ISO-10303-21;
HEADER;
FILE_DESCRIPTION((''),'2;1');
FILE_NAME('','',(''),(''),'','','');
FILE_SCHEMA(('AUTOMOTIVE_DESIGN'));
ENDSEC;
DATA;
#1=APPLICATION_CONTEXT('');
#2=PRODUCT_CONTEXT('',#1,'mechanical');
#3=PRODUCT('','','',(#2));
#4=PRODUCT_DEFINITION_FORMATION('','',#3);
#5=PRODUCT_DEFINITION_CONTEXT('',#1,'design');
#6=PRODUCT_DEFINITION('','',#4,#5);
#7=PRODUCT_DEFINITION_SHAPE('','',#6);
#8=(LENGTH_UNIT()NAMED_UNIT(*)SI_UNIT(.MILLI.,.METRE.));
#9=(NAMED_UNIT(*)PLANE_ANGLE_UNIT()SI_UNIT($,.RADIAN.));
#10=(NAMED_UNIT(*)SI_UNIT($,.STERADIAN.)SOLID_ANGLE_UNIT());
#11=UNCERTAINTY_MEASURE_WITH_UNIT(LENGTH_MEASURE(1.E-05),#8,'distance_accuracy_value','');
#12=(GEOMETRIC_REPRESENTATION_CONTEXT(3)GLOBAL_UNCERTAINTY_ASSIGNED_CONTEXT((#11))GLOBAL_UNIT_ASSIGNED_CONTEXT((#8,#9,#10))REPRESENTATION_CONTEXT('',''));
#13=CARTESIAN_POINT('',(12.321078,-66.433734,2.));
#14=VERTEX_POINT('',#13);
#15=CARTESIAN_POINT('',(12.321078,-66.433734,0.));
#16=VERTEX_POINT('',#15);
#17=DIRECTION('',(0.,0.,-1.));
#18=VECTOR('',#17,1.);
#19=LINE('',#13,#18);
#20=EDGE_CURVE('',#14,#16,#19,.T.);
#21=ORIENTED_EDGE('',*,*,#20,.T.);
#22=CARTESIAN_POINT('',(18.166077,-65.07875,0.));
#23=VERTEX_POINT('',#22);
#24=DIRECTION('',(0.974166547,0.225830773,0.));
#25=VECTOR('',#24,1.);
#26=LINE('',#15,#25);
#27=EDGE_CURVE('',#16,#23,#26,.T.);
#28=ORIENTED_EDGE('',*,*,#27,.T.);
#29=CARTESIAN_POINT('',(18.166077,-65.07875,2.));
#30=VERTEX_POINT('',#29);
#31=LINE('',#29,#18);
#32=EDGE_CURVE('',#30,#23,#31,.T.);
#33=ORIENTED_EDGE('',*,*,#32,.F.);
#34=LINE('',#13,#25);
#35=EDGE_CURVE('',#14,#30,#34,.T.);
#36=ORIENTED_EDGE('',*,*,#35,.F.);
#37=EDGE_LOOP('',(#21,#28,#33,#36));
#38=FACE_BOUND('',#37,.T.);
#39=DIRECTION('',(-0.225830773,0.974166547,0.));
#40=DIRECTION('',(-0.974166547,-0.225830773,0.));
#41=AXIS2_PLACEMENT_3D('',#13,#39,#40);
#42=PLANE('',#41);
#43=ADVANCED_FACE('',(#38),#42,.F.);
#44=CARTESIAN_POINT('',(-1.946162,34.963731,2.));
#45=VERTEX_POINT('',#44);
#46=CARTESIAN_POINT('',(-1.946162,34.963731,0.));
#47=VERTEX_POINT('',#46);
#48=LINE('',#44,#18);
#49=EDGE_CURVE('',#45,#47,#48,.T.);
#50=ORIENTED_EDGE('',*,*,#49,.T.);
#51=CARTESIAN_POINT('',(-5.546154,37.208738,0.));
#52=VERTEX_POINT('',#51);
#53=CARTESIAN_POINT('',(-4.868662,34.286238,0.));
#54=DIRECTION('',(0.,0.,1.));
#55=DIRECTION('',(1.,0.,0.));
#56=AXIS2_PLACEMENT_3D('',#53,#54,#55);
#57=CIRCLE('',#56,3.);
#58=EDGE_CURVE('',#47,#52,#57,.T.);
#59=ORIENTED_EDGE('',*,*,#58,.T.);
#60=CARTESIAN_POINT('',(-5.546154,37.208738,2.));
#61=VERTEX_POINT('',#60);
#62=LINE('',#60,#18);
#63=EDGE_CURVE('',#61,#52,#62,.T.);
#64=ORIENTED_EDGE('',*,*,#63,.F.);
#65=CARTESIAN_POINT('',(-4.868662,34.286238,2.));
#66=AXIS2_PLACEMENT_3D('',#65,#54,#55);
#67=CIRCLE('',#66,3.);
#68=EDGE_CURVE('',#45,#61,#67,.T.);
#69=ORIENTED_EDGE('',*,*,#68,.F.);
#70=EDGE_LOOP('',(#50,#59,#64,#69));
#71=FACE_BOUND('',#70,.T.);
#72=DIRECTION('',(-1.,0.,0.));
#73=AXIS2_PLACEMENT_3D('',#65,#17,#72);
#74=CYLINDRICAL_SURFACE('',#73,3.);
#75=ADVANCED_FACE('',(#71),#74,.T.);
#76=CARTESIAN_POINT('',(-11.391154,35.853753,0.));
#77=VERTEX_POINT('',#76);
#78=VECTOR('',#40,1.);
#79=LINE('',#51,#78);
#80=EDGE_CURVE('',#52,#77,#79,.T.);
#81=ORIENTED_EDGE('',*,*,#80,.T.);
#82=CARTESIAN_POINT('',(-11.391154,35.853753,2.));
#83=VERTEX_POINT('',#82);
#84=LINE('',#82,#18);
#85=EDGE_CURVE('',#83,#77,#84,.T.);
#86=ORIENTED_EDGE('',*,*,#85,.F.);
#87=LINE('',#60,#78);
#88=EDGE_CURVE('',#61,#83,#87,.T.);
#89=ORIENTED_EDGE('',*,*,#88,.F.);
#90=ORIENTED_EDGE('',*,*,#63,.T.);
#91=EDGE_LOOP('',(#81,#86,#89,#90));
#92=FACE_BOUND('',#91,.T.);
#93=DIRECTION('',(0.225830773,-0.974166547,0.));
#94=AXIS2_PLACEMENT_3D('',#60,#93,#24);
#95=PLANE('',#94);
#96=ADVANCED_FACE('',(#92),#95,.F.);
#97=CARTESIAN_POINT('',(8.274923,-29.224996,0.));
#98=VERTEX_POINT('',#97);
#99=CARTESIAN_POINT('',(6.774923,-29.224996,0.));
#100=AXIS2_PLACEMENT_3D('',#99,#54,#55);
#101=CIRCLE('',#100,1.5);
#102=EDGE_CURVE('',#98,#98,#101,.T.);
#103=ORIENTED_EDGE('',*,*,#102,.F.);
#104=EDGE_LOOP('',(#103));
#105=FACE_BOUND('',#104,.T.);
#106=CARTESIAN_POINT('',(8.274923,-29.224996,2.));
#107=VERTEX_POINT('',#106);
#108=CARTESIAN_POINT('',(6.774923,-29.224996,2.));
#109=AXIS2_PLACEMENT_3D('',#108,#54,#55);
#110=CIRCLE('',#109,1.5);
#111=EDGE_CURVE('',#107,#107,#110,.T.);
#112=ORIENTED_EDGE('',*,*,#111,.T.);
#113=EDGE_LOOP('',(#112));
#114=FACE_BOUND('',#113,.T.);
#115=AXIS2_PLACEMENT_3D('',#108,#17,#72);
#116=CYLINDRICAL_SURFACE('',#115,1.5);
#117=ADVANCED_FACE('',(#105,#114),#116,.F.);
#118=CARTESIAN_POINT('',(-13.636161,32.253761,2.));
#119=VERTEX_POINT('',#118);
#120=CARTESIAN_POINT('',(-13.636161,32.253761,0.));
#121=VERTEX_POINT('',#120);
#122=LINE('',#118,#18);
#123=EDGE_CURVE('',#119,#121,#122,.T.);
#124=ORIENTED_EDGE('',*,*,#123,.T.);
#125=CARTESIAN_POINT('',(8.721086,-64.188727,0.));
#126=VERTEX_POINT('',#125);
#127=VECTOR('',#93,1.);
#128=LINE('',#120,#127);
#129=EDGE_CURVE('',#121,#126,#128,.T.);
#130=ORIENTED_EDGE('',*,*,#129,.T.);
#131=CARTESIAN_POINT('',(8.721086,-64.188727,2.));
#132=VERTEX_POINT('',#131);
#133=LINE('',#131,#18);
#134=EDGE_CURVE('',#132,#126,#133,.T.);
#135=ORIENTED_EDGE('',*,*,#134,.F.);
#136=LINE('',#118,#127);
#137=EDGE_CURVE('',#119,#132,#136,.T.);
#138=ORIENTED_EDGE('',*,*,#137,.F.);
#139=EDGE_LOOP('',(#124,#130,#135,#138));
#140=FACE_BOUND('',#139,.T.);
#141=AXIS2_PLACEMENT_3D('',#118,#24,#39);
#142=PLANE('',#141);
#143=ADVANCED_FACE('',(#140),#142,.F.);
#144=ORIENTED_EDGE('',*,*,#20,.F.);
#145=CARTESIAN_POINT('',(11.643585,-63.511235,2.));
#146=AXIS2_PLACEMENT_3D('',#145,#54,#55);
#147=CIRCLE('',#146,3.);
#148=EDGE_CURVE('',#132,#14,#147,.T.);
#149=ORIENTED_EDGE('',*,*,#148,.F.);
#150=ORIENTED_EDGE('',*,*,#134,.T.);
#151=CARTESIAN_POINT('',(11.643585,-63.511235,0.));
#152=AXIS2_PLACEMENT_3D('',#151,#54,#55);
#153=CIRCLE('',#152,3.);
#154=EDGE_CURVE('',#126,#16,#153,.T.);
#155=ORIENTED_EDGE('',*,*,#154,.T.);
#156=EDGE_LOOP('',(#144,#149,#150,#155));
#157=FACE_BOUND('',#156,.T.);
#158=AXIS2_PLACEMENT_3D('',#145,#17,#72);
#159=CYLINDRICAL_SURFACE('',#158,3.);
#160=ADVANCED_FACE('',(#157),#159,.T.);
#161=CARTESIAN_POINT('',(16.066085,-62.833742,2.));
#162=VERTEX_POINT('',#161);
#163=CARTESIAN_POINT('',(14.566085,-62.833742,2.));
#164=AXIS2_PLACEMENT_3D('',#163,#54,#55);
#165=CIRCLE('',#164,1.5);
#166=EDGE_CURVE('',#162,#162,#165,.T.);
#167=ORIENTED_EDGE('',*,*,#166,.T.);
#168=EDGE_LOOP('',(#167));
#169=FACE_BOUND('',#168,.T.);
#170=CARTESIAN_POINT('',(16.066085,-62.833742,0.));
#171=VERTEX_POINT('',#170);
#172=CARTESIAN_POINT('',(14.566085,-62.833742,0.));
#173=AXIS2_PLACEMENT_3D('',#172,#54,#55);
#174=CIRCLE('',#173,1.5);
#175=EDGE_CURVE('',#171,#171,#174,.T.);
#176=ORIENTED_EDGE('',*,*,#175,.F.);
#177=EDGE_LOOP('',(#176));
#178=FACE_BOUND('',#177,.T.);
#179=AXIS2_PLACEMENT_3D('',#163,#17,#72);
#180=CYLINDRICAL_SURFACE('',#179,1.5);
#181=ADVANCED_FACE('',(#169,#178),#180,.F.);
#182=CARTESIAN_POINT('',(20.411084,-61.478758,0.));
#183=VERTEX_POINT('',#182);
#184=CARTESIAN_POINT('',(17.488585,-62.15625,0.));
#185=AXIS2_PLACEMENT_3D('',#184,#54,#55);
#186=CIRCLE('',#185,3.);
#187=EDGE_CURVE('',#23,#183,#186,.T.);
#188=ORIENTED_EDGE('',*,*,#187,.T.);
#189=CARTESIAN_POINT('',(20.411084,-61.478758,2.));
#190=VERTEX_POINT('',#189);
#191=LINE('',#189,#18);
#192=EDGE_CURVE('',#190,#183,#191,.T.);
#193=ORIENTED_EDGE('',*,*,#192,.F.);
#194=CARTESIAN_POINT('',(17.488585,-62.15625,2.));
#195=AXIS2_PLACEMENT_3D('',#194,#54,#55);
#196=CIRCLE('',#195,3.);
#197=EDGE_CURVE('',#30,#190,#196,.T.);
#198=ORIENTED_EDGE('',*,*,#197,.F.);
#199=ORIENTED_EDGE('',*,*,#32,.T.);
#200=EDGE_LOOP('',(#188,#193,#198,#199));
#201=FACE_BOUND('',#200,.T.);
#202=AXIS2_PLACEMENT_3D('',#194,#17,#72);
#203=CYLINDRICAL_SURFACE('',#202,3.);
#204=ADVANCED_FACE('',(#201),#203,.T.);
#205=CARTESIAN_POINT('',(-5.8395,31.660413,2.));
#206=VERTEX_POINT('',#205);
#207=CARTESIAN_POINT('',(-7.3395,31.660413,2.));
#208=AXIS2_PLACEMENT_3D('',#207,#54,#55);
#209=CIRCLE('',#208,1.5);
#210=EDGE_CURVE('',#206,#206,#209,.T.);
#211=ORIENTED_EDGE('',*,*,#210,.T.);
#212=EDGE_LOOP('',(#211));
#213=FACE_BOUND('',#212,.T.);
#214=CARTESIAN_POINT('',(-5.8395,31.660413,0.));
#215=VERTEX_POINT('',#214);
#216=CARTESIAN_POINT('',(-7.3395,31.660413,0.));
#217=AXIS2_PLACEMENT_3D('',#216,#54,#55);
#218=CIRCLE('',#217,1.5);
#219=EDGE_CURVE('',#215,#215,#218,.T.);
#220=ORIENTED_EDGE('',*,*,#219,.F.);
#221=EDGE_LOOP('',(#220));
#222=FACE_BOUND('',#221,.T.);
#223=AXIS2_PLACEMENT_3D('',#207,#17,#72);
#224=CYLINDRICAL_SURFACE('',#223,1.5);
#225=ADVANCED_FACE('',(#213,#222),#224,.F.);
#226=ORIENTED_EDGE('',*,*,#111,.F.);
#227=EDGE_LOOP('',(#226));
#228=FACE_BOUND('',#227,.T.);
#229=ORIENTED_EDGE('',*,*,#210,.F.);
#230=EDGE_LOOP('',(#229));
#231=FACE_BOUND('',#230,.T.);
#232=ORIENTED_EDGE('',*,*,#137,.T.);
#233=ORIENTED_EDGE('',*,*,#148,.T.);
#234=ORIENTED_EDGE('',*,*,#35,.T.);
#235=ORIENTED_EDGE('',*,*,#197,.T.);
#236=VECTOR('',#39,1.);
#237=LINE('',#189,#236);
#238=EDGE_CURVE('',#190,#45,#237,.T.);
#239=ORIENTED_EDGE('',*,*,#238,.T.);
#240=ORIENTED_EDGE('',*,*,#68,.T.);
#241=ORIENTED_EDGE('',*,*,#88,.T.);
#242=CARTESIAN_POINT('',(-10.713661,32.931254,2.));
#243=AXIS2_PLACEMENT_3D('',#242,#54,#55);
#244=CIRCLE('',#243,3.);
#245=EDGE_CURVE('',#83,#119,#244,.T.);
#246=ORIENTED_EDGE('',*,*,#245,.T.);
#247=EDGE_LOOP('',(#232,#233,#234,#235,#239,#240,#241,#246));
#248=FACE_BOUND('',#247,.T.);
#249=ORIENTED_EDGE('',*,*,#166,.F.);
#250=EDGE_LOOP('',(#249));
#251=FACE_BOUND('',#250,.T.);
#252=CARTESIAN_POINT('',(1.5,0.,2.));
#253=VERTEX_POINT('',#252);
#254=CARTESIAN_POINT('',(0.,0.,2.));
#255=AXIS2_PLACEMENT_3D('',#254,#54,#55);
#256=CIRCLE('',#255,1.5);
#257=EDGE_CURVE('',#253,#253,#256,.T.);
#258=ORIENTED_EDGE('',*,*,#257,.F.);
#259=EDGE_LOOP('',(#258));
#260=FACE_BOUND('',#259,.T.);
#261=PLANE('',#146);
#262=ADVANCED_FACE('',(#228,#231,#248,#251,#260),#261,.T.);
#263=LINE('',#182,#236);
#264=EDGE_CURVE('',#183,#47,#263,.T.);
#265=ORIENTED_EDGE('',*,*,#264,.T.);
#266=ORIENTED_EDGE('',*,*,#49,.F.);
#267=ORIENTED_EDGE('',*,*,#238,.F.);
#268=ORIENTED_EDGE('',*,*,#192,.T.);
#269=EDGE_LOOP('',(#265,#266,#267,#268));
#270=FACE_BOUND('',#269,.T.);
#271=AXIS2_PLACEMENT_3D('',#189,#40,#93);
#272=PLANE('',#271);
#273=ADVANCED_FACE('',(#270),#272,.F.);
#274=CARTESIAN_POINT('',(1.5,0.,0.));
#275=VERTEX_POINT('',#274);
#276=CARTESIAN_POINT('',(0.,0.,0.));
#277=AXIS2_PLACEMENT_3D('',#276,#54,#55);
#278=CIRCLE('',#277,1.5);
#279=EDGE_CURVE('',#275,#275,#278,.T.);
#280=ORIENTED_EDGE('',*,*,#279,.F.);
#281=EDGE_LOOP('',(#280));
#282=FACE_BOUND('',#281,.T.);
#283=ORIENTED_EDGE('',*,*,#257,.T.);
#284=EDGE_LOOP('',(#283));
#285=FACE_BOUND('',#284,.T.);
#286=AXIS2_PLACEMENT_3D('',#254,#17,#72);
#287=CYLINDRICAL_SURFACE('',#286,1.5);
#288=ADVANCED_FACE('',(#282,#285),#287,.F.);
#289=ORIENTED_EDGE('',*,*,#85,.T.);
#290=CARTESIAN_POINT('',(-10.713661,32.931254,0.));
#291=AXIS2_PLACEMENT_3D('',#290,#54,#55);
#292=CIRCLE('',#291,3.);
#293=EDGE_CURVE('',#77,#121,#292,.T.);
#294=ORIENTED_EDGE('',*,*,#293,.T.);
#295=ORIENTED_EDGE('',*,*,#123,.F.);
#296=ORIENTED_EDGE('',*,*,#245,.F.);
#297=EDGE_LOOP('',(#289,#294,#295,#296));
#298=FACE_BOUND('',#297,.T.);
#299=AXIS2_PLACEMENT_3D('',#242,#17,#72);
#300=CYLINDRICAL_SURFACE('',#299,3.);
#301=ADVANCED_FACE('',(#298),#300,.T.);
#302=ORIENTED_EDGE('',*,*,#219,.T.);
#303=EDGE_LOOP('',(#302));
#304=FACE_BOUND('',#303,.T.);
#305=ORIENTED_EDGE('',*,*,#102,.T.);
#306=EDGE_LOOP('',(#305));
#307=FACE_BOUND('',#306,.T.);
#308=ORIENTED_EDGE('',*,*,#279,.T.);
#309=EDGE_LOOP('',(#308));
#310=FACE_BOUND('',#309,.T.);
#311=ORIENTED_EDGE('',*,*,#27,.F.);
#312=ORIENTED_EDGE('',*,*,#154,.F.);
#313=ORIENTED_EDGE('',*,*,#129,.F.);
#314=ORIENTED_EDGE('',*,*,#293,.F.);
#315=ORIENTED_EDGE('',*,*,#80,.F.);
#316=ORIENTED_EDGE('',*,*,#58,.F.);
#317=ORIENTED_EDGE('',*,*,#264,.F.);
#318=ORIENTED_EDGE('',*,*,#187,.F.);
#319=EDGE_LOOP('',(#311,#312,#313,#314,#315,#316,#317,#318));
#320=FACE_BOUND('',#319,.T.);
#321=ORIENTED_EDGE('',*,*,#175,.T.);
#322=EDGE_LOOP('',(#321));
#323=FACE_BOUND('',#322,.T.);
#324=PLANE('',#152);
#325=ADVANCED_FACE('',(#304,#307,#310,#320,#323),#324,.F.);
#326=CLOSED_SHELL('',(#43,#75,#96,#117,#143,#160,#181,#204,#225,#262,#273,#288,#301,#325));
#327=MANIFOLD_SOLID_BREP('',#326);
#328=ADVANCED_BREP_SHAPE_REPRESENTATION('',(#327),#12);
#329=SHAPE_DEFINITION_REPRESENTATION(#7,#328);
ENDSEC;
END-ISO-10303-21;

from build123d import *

# Parameters (mm, degrees)
SKETCH_1_R      = 1.5
EXTRUDE_1_DEPTH = 2


with BuildPart() as part:
    # 草图1 → 凸台-拉伸1 (new body)
    with BuildSketch(Plane.XY):
        with BuildLine():
            Line((-13.636160957, 32.253761243), (8.721085584, -64.18872694))
            ThreePointArc((8.721085584, -64.18872694), (10.056125324, -66.056813349), (12.321077545, -66.433734263))
            Line((12.321077545, -66.433734263), (18.166076829, -65.078749624))
            ThreePointArc((18.166076829, -65.078749624), (20.034163238, -63.743709884), (20.411084152, -61.478757663))
            Line((20.411084152, -61.478757663), (-1.94616239, 34.963730521))
            ThreePointArc((-1.94616239, 34.963730521), (-3.28120213, 36.83181693), (-5.546154351, 37.208737844))
            Line((-5.546154351, 37.208737844), (-11.391153635, 35.853753205))
            ThreePointArc((-11.391153635, 35.853753205), (-13.259240043, 34.518713464), (-13.636160957, 32.253761243))
        make_face()
        with Locations((-7.339500127, 31.660412788)):
            Circle(SKETCH_1_R, mode=Mode.SUBTRACT)
        Circle(SKETCH_1_R, mode=Mode.SUBTRACT)
        with Locations((6.774923194, -29.224996419)):
            Circle(SKETCH_1_R, mode=Mode.SUBTRACT)
        with Locations((14.566084868, -62.833742302)):
            Circle(SKETCH_1_R, mode=Mode.SUBTRACT)
    extrude(amount=EXTRUDE_1_DEPTH)


solid = part.part
